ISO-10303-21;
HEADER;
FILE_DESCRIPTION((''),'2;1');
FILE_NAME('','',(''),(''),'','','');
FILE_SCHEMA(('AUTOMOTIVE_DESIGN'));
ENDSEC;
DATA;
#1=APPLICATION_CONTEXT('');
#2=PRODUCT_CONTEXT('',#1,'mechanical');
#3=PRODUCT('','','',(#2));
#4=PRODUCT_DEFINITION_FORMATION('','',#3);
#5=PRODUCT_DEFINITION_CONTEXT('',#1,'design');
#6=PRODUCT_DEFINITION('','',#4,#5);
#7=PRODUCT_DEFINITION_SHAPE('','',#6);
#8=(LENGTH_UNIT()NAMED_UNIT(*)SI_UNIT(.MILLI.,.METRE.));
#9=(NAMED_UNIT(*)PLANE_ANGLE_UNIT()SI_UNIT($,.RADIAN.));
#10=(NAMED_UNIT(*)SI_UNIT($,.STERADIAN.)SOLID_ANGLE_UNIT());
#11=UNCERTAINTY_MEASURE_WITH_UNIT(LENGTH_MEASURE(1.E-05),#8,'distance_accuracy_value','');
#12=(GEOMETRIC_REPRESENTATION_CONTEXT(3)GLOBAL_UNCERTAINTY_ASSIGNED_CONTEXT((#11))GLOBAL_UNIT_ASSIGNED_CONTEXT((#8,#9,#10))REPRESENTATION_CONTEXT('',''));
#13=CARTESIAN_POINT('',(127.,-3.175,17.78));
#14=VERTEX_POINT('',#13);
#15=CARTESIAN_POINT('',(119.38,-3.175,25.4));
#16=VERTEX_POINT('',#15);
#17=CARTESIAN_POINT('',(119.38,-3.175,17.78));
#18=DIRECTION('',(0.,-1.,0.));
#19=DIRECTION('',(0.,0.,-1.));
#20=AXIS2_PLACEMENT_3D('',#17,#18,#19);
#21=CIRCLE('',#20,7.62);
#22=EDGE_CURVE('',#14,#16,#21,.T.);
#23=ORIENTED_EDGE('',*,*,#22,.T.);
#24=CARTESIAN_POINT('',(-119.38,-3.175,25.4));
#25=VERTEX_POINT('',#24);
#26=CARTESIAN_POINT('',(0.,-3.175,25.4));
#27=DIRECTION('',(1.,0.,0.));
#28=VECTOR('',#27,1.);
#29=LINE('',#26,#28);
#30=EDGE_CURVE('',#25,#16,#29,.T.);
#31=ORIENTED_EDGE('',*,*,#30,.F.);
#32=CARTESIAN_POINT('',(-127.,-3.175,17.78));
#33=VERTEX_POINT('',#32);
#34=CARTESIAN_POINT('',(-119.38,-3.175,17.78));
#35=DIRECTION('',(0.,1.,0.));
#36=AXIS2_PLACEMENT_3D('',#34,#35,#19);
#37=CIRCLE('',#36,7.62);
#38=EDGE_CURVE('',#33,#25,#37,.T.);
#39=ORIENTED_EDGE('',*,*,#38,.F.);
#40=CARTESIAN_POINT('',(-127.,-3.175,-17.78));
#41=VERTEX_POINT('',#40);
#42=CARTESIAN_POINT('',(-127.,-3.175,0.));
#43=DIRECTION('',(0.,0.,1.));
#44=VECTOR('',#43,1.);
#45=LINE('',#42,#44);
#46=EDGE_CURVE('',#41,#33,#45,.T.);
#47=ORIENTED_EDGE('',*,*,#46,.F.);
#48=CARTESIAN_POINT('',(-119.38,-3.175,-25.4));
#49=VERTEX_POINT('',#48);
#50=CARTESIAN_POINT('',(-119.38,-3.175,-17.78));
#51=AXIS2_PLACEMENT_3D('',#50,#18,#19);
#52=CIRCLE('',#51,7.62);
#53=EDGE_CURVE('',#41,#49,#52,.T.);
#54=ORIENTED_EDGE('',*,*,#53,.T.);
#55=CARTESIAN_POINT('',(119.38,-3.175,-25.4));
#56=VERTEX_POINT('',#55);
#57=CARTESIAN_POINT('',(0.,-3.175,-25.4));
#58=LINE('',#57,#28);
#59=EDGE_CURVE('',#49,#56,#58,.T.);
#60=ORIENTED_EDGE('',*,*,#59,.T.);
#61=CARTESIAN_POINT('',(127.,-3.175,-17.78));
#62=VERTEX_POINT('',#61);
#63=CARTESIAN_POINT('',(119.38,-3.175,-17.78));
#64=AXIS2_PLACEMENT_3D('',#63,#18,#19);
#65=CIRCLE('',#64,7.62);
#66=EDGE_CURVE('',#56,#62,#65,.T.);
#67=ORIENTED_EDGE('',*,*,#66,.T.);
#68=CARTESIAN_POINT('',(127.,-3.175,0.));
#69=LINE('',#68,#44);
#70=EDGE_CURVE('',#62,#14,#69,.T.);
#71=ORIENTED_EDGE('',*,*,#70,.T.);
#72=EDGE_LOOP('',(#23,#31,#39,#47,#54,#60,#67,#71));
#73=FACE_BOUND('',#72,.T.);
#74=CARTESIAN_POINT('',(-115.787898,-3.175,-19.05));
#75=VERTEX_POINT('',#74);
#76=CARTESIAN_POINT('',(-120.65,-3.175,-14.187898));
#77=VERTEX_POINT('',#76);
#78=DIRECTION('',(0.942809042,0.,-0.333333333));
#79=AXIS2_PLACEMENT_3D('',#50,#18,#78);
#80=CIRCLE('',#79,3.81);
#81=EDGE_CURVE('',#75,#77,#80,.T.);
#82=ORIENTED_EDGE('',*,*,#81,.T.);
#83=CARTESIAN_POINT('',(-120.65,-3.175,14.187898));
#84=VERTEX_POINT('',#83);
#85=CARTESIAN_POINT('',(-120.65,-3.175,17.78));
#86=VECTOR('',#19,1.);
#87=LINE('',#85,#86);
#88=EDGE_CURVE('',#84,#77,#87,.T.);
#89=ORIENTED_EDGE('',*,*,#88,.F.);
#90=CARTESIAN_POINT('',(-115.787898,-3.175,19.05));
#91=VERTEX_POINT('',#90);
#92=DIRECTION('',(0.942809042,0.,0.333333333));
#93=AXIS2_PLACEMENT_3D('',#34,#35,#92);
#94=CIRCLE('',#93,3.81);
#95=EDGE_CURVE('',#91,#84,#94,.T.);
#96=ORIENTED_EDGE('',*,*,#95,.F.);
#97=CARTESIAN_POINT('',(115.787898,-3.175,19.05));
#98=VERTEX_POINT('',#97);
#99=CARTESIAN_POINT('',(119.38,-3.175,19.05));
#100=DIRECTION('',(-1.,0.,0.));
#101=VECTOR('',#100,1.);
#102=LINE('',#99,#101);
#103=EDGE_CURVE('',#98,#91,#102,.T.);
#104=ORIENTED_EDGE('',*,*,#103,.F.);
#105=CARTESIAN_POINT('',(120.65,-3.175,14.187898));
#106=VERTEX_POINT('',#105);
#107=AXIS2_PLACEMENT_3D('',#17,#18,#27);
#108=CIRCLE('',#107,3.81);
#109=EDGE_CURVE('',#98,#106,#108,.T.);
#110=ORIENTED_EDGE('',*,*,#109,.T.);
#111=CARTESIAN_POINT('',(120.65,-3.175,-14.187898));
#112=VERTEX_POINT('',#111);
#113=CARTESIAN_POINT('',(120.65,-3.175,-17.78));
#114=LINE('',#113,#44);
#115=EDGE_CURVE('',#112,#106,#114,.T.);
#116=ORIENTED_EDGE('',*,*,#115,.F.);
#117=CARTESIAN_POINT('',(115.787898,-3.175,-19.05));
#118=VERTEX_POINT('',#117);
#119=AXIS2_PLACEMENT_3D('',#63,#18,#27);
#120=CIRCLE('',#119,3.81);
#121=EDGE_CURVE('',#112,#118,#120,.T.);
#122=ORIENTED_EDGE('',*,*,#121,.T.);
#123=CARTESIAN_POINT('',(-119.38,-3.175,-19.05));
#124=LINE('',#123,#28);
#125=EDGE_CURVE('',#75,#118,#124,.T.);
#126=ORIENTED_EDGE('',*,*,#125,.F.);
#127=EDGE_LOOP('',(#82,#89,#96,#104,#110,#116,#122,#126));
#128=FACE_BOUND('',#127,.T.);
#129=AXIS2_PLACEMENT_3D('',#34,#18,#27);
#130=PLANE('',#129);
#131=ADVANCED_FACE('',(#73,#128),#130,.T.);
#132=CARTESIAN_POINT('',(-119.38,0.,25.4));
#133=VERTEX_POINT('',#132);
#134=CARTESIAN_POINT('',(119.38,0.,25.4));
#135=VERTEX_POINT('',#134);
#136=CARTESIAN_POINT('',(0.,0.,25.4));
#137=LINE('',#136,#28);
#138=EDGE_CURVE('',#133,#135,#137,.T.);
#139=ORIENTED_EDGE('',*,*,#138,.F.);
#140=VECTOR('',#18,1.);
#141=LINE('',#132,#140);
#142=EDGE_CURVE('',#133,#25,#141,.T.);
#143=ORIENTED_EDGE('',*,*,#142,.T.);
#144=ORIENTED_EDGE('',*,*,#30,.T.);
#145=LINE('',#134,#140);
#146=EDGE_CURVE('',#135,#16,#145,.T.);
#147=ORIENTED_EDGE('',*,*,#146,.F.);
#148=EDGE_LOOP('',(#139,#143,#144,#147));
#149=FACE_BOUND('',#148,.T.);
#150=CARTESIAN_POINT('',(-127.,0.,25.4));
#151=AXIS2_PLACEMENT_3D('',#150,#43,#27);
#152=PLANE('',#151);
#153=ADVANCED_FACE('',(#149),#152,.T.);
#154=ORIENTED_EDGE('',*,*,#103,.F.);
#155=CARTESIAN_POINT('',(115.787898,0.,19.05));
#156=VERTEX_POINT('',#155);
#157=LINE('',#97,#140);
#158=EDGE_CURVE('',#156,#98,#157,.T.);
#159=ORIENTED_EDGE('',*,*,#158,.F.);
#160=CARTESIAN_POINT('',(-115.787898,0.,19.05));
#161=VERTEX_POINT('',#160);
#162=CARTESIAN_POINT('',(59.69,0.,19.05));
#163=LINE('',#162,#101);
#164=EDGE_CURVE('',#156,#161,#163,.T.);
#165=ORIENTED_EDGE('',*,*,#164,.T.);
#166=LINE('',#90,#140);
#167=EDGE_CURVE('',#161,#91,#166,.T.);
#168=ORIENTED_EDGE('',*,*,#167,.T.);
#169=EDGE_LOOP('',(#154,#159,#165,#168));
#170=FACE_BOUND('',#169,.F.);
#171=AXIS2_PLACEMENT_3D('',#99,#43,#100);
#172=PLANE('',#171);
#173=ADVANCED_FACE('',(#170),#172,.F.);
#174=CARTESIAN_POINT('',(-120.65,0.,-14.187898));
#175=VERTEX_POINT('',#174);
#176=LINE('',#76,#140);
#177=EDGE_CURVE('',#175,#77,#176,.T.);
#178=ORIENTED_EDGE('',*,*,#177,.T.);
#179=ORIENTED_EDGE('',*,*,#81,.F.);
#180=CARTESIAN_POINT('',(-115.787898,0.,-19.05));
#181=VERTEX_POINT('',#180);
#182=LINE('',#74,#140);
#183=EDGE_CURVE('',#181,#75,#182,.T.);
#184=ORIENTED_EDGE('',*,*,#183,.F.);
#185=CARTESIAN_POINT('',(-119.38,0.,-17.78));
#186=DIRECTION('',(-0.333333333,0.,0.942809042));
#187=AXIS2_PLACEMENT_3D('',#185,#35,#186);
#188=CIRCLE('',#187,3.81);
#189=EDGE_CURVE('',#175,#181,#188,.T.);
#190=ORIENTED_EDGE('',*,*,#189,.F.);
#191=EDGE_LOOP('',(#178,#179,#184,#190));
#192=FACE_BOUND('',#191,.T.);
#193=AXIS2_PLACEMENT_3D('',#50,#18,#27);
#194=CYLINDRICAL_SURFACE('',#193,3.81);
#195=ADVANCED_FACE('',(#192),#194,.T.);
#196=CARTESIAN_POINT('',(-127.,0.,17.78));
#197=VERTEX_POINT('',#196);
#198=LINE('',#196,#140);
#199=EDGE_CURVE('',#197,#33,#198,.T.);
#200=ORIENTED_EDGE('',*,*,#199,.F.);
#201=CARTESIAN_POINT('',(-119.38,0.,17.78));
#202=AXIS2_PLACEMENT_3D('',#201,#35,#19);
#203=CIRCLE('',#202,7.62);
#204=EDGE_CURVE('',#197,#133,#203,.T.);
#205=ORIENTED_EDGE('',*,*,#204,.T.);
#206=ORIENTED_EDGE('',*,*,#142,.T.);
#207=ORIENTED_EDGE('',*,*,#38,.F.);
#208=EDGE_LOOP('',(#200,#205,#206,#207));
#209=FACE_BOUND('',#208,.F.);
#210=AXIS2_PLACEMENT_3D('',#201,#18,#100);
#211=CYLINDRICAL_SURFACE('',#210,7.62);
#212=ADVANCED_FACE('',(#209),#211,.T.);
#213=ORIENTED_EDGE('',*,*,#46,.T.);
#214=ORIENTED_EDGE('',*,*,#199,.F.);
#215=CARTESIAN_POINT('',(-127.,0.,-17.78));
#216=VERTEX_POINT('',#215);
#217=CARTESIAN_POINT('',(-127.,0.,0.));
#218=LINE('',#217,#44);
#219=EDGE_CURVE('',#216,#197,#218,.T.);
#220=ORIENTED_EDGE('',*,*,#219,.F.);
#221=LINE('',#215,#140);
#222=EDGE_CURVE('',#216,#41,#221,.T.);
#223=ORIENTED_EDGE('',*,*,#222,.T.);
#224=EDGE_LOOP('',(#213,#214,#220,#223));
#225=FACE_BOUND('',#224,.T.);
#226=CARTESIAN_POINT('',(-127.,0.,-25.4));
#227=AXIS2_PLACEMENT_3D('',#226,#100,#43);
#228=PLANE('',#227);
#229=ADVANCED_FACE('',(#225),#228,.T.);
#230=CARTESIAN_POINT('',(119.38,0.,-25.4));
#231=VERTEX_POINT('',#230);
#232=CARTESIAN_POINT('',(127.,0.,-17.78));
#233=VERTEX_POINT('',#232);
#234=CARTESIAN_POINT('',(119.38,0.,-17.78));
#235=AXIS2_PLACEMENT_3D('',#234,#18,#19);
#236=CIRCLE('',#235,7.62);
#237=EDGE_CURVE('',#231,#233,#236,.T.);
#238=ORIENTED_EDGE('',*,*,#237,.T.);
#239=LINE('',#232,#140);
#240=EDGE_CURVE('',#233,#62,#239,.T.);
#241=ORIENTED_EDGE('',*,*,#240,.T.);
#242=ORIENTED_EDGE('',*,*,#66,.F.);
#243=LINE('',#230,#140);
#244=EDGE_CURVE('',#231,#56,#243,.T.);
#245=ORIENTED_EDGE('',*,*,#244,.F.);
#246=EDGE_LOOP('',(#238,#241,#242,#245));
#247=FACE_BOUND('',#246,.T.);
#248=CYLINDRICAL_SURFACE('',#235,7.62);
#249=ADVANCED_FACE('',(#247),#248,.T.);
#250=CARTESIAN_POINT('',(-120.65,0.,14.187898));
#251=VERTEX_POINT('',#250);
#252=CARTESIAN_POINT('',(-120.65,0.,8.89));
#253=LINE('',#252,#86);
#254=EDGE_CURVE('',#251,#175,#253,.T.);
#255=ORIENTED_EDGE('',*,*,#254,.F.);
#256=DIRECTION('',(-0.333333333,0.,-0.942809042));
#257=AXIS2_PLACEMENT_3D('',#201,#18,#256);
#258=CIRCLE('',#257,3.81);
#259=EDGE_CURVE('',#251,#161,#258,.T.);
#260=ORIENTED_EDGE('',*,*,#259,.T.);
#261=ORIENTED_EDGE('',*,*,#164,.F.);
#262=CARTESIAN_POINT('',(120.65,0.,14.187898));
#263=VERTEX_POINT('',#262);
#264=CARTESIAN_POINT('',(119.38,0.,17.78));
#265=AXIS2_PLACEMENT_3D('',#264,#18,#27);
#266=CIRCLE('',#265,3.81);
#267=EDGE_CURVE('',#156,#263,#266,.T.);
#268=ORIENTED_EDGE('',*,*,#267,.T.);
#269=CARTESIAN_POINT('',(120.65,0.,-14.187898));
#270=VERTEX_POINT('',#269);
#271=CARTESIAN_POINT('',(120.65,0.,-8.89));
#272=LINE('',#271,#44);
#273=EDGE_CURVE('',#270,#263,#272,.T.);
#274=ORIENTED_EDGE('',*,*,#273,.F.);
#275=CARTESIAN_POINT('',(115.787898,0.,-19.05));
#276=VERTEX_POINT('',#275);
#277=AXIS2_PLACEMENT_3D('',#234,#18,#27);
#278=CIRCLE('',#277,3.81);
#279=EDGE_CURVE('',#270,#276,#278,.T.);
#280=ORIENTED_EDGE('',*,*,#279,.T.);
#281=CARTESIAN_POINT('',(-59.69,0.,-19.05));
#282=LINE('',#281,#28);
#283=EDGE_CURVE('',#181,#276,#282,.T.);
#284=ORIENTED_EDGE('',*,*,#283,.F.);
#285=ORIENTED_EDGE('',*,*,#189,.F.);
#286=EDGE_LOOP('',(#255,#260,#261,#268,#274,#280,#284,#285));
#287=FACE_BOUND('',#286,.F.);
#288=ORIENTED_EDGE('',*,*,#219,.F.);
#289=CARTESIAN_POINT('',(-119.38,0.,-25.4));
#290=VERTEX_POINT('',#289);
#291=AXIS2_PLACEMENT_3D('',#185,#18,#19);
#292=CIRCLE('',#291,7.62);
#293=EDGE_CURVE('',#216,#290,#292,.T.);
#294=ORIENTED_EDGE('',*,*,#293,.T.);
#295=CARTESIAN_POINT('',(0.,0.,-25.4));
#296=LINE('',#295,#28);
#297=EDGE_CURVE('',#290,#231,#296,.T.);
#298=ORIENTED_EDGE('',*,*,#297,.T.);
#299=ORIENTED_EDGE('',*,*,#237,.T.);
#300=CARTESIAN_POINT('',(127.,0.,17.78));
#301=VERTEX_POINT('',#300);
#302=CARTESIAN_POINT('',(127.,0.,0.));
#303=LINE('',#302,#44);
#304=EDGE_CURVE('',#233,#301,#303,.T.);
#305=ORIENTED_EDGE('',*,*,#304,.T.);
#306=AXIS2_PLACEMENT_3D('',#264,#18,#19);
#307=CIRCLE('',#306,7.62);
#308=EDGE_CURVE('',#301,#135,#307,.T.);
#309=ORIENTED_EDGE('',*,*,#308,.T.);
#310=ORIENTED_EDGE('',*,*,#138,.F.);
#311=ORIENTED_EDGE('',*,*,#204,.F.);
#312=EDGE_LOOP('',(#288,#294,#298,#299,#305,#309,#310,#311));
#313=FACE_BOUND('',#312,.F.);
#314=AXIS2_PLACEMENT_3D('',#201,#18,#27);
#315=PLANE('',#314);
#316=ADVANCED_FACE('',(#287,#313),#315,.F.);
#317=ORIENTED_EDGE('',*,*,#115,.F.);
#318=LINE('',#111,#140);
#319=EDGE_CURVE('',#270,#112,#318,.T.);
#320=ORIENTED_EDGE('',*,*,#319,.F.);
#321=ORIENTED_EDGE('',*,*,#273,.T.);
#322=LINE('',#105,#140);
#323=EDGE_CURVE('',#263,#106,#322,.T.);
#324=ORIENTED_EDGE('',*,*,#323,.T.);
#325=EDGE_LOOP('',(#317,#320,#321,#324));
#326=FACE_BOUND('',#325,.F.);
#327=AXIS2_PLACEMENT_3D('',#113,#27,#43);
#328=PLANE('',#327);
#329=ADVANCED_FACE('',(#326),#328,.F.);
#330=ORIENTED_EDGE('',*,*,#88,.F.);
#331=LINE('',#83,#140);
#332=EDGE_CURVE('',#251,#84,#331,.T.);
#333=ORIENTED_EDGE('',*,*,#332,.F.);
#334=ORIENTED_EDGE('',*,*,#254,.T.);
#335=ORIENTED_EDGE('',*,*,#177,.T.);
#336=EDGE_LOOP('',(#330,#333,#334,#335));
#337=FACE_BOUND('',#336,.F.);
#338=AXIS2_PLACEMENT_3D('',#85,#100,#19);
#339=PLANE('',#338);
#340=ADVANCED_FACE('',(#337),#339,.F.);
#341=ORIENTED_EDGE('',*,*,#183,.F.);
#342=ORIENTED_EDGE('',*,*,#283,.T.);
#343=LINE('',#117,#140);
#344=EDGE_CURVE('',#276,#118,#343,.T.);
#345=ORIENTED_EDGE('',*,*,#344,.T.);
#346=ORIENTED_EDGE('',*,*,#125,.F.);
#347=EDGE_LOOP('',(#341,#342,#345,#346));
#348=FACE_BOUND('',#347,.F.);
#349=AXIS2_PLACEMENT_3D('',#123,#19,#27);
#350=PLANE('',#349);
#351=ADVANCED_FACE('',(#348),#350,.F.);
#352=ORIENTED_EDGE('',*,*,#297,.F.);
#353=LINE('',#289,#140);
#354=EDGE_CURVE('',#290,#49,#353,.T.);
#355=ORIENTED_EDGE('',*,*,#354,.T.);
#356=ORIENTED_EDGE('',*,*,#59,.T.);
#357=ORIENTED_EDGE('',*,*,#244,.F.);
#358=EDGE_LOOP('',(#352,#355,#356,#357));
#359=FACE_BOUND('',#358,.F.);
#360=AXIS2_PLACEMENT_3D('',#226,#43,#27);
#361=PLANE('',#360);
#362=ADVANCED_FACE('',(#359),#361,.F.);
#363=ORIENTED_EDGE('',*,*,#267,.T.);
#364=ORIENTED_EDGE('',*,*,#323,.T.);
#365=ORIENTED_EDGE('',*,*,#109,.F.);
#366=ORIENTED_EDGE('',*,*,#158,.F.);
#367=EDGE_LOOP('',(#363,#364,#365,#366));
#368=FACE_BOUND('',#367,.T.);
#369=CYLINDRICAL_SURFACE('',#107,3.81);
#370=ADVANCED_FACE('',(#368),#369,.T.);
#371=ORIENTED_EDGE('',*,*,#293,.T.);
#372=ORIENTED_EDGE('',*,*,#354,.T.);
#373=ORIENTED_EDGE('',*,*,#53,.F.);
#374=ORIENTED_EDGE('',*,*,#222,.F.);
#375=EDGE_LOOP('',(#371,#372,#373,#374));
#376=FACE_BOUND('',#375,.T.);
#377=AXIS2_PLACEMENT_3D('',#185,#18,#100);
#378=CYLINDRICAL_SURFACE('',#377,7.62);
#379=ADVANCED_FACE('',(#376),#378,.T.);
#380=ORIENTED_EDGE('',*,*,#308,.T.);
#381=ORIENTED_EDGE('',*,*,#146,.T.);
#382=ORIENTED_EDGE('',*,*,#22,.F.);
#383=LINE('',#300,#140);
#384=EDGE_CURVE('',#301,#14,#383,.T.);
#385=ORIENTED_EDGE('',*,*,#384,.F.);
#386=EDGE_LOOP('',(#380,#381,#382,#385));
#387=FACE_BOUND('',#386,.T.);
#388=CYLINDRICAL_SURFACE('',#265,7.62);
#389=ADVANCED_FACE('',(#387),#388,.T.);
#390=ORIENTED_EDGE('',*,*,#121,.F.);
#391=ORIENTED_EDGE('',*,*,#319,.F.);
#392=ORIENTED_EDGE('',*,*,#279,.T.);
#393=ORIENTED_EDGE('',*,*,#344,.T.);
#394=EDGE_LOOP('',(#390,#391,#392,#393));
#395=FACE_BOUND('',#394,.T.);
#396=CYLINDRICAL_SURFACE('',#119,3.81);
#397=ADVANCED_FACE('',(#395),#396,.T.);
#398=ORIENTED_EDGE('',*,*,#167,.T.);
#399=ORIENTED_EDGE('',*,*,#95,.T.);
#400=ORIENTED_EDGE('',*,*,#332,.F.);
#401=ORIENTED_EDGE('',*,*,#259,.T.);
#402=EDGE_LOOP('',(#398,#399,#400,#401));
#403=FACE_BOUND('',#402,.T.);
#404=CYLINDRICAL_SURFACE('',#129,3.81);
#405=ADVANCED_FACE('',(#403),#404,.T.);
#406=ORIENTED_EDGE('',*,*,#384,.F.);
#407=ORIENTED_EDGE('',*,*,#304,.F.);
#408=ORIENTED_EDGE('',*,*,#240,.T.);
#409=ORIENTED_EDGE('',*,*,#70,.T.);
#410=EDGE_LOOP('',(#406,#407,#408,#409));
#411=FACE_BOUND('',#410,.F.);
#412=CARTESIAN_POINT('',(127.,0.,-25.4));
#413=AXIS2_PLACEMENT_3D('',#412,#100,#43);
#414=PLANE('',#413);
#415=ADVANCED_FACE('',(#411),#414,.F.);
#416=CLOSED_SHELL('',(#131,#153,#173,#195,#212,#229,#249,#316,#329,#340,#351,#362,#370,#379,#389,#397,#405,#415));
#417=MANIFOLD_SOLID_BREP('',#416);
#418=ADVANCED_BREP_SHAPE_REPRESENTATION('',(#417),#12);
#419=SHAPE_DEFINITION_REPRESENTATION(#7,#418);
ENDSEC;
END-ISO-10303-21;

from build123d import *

# Parameters (mm, degrees)
F0_W     = 254
F0_H     = 50.8
F1_DEPTH = 3.175
F2_R     = 7.62
F4_DEPTH = 25.4
F5_R     = 3.81
F6_DEPTH = 3.175


with BuildPart() as f1:
    # F0 (on Front) → F1 (new body)
    with BuildSketch(Plane.XZ):
        Rectangle(F0_W, F0_H)
    extrude(amount=F1_DEPTH)

    # F2
    f2_edges = [f1.edges().sort_by_distance(p)[0] for p in [
        (-127, -1.5875, 25.4),
        (-127, -1.5875, -25.4),
        (127, -1.5875, 25.4),
        (127, -1.5875, -25.4),
    ]]
    fillet(f2_edges, radius=F2_R)

    # F3 (on face) → F4 (cut)
    with BuildSketch(Plane.XZ.offset(3.175)):
        with BuildLine():
            Line((119.38, 19.05), (-119.38, 19.05))
            ThreePointArc((-119.38, 19.05), (-120.278026, 18.678026), (-120.65, 17.78))
            Line((-120.65, 17.78), (-120.65, -17.78))
            ThreePointArc((-120.65, -17.78), (-120.278026, -18.678026), (-119.38, -19.05))
            Line((-119.38, -19.05), (119.38, -19.05))
            ThreePointArc((119.38, -19.05), (120.278026, -18.678026), (120.65, -17.78))
            Line((120.65, -17.78), (120.65, 17.78))
            ThreePointArc((120.65, 17.78), (120.278026, 18.678026), (119.38, 19.05))
        make_face()
    extrude(amount=-F4_DEPTH, mode=Mode.SUBTRACT)

    # F5 (on face) → F6 (join)
    with BuildSketch(Plane.XZ.offset(3.175)):
        with Locations((-119.38, 17.78)):
            Circle(F5_R)
        with Locations((-119.38, -17.78)):
            Circle(F5_R)
        with Locations((119.38, 17.78)):
            Circle(F5_R)
        with Locations((119.38, -17.78)):
            Circle(F5_R)
    extrude(amount=-F6_DEPTH)


solid = f1.part
